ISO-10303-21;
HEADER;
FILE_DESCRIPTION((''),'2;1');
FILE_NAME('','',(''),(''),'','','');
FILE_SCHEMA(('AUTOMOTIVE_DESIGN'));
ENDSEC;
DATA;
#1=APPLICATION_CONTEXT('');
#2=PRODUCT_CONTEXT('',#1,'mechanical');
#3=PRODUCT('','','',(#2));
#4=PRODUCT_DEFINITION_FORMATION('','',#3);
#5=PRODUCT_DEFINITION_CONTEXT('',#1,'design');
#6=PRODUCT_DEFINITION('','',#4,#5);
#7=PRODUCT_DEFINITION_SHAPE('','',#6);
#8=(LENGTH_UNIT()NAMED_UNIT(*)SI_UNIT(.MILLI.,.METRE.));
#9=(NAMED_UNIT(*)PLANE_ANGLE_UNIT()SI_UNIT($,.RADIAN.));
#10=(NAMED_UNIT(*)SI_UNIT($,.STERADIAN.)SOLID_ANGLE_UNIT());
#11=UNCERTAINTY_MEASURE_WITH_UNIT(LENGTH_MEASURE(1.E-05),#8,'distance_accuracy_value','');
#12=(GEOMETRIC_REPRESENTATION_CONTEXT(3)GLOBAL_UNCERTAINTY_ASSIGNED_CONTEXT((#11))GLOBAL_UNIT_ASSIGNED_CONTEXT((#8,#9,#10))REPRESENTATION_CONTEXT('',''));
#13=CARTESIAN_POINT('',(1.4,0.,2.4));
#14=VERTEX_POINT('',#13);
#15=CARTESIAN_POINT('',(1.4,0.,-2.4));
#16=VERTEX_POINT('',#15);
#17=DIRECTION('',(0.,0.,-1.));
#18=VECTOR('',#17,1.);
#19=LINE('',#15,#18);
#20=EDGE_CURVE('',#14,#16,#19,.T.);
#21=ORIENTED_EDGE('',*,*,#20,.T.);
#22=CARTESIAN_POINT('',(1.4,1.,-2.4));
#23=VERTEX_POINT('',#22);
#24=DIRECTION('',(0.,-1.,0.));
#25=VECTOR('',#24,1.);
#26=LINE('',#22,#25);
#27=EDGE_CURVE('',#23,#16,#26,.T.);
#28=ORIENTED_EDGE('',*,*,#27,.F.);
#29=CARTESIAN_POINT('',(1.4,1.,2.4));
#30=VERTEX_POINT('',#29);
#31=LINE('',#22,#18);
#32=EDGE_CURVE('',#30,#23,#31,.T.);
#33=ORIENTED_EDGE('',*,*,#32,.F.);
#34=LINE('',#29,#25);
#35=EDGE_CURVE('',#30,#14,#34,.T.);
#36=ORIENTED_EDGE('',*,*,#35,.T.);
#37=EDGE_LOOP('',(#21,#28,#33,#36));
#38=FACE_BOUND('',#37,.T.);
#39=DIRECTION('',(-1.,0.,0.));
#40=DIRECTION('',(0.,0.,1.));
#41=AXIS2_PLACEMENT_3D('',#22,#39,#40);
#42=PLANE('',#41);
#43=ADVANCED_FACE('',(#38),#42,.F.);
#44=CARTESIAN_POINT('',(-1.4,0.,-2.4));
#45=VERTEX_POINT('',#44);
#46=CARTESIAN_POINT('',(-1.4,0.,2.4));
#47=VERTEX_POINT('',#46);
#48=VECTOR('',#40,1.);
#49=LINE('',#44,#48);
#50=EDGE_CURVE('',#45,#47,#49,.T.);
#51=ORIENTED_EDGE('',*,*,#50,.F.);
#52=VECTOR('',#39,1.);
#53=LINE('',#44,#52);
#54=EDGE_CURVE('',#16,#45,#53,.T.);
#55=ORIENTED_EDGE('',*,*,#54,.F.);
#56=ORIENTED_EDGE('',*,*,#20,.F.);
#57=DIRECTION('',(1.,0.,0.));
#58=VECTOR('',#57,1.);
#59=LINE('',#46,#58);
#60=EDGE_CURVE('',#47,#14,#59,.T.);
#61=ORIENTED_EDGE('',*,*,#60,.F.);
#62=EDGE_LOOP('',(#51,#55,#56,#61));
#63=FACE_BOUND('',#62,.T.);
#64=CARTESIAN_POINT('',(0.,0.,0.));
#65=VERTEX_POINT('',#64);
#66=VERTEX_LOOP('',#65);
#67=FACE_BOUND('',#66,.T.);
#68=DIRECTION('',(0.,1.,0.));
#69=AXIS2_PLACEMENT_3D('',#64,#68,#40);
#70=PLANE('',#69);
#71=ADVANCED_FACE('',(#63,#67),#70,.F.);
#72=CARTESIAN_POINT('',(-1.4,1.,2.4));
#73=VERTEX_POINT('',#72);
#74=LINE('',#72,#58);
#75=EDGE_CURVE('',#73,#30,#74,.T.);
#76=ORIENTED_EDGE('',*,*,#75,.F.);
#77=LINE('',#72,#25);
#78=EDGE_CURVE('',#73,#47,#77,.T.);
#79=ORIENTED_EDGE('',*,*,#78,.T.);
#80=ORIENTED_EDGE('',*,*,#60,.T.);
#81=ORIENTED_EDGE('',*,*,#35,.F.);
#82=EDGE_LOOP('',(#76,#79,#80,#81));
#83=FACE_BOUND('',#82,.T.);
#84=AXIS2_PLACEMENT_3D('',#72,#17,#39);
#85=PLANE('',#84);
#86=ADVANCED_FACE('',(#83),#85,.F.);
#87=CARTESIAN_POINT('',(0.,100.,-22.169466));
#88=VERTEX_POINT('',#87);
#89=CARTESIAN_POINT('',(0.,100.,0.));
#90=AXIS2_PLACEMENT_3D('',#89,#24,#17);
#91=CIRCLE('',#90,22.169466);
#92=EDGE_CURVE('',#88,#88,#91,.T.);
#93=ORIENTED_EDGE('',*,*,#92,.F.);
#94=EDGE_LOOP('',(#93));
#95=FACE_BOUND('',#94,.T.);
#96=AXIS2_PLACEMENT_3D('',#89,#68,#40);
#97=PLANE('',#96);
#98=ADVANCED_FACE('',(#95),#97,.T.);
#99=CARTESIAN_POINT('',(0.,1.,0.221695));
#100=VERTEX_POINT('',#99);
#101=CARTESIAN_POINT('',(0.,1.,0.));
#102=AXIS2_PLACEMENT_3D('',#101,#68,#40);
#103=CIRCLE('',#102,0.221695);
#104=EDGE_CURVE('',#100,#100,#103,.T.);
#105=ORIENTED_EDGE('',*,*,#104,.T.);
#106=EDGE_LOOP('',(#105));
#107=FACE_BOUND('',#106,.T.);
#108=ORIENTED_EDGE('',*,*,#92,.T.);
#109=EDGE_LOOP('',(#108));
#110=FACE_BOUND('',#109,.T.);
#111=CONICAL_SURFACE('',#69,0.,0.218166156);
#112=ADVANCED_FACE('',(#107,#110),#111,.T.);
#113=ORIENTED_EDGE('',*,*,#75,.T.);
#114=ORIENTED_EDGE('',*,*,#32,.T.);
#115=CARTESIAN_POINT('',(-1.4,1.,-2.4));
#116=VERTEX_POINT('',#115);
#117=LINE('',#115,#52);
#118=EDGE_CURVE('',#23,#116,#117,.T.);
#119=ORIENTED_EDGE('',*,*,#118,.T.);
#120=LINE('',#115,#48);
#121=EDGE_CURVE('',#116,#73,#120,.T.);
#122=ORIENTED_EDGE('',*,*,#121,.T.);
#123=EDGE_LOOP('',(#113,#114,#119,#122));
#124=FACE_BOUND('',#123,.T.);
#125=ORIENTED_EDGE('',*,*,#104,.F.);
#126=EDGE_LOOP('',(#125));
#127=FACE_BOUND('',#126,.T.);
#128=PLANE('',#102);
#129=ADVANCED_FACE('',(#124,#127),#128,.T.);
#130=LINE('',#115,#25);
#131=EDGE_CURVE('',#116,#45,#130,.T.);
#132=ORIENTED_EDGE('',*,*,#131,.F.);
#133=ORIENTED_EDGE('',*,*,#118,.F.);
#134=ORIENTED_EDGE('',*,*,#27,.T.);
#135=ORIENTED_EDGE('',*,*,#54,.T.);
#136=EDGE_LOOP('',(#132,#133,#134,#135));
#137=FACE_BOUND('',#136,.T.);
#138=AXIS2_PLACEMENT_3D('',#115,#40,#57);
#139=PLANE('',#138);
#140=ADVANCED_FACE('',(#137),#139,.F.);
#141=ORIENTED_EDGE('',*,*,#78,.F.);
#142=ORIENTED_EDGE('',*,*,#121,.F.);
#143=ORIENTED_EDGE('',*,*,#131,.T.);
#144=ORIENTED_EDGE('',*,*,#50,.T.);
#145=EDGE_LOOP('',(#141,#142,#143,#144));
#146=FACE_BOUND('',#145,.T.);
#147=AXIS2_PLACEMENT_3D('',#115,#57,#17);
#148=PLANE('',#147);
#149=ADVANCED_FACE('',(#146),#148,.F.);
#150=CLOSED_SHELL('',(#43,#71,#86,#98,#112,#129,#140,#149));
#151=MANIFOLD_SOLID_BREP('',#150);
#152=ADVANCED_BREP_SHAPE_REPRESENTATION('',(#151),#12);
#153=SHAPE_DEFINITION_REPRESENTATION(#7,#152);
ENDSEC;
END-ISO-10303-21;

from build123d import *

# Parameters (mm, degrees)
ESQUISSE1_W        = 2.8
ESQUISSE1_H        = 4.8
BOSS_EXTRU_1_DEPTH = 1


with BuildPart() as part:
    # Esquisse1 → Boss.-Extru.1 (new body)
    with BuildSketch(Plane(origin=(0, 0, 0), x_dir=(1, 0, 0), z_dir=(0, 1, 0))):
        Rectangle(ESQUISSE1_W, ESQUISSE1_H)
    extrude(amount=BOSS_EXTRU_1_DEPTH)

    # Esquisse2 → Révolution1 (revolve)
    with BuildSketch(Plane(origin=(0, 0, 0), x_dir=(0, 0, -1), z_dir=(1, 0, 0))):
        Polygon((0, 0), (0, 100), (22.169466264, 100), align=None)
    revolve(axis=Axis((0, 0, 0), (0, 1, 0)))


solid = part.part
